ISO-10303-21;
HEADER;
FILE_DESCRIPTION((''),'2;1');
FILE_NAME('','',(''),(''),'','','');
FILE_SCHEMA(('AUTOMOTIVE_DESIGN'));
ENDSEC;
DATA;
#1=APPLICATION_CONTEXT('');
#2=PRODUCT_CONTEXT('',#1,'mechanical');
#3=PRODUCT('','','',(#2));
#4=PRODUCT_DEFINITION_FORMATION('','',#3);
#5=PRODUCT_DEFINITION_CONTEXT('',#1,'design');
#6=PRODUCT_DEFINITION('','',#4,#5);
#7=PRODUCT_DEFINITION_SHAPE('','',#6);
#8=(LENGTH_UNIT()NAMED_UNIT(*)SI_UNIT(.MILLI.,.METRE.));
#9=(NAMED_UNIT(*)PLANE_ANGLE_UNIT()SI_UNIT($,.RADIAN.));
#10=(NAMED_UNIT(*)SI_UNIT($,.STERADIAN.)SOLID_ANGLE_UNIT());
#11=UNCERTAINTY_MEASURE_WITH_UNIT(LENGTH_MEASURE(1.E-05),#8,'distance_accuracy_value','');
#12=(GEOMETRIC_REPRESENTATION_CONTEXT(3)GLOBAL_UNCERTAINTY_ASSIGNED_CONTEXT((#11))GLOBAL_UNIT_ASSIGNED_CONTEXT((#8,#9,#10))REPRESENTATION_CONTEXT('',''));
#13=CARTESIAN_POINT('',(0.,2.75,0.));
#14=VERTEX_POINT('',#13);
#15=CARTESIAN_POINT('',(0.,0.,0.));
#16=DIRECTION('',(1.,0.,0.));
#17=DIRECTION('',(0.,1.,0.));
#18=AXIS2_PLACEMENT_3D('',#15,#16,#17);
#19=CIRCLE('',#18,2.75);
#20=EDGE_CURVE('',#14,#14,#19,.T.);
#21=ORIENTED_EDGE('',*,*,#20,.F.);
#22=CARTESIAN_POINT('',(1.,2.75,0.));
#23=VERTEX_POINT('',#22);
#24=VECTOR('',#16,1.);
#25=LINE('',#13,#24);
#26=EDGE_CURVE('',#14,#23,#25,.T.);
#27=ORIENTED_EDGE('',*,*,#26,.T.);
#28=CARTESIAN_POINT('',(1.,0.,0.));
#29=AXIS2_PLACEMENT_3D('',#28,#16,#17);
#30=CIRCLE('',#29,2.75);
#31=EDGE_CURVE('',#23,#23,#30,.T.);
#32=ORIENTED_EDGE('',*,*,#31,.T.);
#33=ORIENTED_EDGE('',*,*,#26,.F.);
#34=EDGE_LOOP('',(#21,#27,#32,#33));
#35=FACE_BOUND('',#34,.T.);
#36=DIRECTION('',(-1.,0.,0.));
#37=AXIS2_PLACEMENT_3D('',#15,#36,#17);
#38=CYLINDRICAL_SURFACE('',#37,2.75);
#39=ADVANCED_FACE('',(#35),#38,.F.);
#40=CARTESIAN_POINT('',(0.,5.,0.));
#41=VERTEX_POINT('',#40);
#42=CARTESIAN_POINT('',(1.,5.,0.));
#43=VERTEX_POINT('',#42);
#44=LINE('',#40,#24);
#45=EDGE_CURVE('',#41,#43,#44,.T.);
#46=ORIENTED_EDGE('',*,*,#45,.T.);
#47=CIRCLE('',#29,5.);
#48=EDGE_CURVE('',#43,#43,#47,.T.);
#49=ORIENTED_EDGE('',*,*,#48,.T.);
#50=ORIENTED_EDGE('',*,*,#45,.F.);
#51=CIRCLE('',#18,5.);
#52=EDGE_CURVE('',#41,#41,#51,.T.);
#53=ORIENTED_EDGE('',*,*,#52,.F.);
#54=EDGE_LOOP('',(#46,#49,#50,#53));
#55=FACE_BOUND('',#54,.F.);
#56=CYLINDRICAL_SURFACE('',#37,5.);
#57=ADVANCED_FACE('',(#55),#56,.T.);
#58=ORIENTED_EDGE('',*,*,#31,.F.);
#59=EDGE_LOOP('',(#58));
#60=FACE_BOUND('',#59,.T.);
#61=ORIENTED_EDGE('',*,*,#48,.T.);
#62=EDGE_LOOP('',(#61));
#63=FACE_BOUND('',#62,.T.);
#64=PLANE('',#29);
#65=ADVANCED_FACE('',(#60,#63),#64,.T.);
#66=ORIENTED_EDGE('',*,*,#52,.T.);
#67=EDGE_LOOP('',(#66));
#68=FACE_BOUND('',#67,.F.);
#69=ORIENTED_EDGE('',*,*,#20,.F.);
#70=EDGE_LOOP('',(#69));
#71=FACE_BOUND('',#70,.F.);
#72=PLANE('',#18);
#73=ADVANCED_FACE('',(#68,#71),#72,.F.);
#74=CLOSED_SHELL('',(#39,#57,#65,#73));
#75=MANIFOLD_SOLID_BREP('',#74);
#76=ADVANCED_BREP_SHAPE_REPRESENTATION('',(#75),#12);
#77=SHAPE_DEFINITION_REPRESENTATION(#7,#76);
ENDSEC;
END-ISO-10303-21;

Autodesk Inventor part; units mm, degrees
ref_plane "YZ Plane" through (0, 0, 0) normal (1, 0, 0) x (0, 1, 0)
ref_plane "XZ Plane" through (0, 0, 0) normal (0, 1, 0) x (-1, 0, 0)
sketch "Skizze" plane through (0, 0, 0) normal (1, 0, 0) x (0, 1, 0)
  circle A0 centre (0, 0) radius 5
  circle A1 centre (0, 0) radius 2.75
  dimension "d0" = 5.5
  dimension "d1" = 10
extrude "Körper" add sketch "Skizze" along normal blind 1
ref_plane "Work Plane1" through (0, 0, 0) normal (0, 0, 1) x (1, 0, 0)
equation "\"d0\" = SD1"
equation "\"d1\" = SD2"
equation "\"d2\" = SD"
equation "\"SD1\" = 5.5"
equation "\"SD2\" = 10"
equation "\"SD\" = 1"
equation "\"NND\" = 5"
properties part number "ISO 7091 - ST 5 - 100 HV" material "Stahl"
